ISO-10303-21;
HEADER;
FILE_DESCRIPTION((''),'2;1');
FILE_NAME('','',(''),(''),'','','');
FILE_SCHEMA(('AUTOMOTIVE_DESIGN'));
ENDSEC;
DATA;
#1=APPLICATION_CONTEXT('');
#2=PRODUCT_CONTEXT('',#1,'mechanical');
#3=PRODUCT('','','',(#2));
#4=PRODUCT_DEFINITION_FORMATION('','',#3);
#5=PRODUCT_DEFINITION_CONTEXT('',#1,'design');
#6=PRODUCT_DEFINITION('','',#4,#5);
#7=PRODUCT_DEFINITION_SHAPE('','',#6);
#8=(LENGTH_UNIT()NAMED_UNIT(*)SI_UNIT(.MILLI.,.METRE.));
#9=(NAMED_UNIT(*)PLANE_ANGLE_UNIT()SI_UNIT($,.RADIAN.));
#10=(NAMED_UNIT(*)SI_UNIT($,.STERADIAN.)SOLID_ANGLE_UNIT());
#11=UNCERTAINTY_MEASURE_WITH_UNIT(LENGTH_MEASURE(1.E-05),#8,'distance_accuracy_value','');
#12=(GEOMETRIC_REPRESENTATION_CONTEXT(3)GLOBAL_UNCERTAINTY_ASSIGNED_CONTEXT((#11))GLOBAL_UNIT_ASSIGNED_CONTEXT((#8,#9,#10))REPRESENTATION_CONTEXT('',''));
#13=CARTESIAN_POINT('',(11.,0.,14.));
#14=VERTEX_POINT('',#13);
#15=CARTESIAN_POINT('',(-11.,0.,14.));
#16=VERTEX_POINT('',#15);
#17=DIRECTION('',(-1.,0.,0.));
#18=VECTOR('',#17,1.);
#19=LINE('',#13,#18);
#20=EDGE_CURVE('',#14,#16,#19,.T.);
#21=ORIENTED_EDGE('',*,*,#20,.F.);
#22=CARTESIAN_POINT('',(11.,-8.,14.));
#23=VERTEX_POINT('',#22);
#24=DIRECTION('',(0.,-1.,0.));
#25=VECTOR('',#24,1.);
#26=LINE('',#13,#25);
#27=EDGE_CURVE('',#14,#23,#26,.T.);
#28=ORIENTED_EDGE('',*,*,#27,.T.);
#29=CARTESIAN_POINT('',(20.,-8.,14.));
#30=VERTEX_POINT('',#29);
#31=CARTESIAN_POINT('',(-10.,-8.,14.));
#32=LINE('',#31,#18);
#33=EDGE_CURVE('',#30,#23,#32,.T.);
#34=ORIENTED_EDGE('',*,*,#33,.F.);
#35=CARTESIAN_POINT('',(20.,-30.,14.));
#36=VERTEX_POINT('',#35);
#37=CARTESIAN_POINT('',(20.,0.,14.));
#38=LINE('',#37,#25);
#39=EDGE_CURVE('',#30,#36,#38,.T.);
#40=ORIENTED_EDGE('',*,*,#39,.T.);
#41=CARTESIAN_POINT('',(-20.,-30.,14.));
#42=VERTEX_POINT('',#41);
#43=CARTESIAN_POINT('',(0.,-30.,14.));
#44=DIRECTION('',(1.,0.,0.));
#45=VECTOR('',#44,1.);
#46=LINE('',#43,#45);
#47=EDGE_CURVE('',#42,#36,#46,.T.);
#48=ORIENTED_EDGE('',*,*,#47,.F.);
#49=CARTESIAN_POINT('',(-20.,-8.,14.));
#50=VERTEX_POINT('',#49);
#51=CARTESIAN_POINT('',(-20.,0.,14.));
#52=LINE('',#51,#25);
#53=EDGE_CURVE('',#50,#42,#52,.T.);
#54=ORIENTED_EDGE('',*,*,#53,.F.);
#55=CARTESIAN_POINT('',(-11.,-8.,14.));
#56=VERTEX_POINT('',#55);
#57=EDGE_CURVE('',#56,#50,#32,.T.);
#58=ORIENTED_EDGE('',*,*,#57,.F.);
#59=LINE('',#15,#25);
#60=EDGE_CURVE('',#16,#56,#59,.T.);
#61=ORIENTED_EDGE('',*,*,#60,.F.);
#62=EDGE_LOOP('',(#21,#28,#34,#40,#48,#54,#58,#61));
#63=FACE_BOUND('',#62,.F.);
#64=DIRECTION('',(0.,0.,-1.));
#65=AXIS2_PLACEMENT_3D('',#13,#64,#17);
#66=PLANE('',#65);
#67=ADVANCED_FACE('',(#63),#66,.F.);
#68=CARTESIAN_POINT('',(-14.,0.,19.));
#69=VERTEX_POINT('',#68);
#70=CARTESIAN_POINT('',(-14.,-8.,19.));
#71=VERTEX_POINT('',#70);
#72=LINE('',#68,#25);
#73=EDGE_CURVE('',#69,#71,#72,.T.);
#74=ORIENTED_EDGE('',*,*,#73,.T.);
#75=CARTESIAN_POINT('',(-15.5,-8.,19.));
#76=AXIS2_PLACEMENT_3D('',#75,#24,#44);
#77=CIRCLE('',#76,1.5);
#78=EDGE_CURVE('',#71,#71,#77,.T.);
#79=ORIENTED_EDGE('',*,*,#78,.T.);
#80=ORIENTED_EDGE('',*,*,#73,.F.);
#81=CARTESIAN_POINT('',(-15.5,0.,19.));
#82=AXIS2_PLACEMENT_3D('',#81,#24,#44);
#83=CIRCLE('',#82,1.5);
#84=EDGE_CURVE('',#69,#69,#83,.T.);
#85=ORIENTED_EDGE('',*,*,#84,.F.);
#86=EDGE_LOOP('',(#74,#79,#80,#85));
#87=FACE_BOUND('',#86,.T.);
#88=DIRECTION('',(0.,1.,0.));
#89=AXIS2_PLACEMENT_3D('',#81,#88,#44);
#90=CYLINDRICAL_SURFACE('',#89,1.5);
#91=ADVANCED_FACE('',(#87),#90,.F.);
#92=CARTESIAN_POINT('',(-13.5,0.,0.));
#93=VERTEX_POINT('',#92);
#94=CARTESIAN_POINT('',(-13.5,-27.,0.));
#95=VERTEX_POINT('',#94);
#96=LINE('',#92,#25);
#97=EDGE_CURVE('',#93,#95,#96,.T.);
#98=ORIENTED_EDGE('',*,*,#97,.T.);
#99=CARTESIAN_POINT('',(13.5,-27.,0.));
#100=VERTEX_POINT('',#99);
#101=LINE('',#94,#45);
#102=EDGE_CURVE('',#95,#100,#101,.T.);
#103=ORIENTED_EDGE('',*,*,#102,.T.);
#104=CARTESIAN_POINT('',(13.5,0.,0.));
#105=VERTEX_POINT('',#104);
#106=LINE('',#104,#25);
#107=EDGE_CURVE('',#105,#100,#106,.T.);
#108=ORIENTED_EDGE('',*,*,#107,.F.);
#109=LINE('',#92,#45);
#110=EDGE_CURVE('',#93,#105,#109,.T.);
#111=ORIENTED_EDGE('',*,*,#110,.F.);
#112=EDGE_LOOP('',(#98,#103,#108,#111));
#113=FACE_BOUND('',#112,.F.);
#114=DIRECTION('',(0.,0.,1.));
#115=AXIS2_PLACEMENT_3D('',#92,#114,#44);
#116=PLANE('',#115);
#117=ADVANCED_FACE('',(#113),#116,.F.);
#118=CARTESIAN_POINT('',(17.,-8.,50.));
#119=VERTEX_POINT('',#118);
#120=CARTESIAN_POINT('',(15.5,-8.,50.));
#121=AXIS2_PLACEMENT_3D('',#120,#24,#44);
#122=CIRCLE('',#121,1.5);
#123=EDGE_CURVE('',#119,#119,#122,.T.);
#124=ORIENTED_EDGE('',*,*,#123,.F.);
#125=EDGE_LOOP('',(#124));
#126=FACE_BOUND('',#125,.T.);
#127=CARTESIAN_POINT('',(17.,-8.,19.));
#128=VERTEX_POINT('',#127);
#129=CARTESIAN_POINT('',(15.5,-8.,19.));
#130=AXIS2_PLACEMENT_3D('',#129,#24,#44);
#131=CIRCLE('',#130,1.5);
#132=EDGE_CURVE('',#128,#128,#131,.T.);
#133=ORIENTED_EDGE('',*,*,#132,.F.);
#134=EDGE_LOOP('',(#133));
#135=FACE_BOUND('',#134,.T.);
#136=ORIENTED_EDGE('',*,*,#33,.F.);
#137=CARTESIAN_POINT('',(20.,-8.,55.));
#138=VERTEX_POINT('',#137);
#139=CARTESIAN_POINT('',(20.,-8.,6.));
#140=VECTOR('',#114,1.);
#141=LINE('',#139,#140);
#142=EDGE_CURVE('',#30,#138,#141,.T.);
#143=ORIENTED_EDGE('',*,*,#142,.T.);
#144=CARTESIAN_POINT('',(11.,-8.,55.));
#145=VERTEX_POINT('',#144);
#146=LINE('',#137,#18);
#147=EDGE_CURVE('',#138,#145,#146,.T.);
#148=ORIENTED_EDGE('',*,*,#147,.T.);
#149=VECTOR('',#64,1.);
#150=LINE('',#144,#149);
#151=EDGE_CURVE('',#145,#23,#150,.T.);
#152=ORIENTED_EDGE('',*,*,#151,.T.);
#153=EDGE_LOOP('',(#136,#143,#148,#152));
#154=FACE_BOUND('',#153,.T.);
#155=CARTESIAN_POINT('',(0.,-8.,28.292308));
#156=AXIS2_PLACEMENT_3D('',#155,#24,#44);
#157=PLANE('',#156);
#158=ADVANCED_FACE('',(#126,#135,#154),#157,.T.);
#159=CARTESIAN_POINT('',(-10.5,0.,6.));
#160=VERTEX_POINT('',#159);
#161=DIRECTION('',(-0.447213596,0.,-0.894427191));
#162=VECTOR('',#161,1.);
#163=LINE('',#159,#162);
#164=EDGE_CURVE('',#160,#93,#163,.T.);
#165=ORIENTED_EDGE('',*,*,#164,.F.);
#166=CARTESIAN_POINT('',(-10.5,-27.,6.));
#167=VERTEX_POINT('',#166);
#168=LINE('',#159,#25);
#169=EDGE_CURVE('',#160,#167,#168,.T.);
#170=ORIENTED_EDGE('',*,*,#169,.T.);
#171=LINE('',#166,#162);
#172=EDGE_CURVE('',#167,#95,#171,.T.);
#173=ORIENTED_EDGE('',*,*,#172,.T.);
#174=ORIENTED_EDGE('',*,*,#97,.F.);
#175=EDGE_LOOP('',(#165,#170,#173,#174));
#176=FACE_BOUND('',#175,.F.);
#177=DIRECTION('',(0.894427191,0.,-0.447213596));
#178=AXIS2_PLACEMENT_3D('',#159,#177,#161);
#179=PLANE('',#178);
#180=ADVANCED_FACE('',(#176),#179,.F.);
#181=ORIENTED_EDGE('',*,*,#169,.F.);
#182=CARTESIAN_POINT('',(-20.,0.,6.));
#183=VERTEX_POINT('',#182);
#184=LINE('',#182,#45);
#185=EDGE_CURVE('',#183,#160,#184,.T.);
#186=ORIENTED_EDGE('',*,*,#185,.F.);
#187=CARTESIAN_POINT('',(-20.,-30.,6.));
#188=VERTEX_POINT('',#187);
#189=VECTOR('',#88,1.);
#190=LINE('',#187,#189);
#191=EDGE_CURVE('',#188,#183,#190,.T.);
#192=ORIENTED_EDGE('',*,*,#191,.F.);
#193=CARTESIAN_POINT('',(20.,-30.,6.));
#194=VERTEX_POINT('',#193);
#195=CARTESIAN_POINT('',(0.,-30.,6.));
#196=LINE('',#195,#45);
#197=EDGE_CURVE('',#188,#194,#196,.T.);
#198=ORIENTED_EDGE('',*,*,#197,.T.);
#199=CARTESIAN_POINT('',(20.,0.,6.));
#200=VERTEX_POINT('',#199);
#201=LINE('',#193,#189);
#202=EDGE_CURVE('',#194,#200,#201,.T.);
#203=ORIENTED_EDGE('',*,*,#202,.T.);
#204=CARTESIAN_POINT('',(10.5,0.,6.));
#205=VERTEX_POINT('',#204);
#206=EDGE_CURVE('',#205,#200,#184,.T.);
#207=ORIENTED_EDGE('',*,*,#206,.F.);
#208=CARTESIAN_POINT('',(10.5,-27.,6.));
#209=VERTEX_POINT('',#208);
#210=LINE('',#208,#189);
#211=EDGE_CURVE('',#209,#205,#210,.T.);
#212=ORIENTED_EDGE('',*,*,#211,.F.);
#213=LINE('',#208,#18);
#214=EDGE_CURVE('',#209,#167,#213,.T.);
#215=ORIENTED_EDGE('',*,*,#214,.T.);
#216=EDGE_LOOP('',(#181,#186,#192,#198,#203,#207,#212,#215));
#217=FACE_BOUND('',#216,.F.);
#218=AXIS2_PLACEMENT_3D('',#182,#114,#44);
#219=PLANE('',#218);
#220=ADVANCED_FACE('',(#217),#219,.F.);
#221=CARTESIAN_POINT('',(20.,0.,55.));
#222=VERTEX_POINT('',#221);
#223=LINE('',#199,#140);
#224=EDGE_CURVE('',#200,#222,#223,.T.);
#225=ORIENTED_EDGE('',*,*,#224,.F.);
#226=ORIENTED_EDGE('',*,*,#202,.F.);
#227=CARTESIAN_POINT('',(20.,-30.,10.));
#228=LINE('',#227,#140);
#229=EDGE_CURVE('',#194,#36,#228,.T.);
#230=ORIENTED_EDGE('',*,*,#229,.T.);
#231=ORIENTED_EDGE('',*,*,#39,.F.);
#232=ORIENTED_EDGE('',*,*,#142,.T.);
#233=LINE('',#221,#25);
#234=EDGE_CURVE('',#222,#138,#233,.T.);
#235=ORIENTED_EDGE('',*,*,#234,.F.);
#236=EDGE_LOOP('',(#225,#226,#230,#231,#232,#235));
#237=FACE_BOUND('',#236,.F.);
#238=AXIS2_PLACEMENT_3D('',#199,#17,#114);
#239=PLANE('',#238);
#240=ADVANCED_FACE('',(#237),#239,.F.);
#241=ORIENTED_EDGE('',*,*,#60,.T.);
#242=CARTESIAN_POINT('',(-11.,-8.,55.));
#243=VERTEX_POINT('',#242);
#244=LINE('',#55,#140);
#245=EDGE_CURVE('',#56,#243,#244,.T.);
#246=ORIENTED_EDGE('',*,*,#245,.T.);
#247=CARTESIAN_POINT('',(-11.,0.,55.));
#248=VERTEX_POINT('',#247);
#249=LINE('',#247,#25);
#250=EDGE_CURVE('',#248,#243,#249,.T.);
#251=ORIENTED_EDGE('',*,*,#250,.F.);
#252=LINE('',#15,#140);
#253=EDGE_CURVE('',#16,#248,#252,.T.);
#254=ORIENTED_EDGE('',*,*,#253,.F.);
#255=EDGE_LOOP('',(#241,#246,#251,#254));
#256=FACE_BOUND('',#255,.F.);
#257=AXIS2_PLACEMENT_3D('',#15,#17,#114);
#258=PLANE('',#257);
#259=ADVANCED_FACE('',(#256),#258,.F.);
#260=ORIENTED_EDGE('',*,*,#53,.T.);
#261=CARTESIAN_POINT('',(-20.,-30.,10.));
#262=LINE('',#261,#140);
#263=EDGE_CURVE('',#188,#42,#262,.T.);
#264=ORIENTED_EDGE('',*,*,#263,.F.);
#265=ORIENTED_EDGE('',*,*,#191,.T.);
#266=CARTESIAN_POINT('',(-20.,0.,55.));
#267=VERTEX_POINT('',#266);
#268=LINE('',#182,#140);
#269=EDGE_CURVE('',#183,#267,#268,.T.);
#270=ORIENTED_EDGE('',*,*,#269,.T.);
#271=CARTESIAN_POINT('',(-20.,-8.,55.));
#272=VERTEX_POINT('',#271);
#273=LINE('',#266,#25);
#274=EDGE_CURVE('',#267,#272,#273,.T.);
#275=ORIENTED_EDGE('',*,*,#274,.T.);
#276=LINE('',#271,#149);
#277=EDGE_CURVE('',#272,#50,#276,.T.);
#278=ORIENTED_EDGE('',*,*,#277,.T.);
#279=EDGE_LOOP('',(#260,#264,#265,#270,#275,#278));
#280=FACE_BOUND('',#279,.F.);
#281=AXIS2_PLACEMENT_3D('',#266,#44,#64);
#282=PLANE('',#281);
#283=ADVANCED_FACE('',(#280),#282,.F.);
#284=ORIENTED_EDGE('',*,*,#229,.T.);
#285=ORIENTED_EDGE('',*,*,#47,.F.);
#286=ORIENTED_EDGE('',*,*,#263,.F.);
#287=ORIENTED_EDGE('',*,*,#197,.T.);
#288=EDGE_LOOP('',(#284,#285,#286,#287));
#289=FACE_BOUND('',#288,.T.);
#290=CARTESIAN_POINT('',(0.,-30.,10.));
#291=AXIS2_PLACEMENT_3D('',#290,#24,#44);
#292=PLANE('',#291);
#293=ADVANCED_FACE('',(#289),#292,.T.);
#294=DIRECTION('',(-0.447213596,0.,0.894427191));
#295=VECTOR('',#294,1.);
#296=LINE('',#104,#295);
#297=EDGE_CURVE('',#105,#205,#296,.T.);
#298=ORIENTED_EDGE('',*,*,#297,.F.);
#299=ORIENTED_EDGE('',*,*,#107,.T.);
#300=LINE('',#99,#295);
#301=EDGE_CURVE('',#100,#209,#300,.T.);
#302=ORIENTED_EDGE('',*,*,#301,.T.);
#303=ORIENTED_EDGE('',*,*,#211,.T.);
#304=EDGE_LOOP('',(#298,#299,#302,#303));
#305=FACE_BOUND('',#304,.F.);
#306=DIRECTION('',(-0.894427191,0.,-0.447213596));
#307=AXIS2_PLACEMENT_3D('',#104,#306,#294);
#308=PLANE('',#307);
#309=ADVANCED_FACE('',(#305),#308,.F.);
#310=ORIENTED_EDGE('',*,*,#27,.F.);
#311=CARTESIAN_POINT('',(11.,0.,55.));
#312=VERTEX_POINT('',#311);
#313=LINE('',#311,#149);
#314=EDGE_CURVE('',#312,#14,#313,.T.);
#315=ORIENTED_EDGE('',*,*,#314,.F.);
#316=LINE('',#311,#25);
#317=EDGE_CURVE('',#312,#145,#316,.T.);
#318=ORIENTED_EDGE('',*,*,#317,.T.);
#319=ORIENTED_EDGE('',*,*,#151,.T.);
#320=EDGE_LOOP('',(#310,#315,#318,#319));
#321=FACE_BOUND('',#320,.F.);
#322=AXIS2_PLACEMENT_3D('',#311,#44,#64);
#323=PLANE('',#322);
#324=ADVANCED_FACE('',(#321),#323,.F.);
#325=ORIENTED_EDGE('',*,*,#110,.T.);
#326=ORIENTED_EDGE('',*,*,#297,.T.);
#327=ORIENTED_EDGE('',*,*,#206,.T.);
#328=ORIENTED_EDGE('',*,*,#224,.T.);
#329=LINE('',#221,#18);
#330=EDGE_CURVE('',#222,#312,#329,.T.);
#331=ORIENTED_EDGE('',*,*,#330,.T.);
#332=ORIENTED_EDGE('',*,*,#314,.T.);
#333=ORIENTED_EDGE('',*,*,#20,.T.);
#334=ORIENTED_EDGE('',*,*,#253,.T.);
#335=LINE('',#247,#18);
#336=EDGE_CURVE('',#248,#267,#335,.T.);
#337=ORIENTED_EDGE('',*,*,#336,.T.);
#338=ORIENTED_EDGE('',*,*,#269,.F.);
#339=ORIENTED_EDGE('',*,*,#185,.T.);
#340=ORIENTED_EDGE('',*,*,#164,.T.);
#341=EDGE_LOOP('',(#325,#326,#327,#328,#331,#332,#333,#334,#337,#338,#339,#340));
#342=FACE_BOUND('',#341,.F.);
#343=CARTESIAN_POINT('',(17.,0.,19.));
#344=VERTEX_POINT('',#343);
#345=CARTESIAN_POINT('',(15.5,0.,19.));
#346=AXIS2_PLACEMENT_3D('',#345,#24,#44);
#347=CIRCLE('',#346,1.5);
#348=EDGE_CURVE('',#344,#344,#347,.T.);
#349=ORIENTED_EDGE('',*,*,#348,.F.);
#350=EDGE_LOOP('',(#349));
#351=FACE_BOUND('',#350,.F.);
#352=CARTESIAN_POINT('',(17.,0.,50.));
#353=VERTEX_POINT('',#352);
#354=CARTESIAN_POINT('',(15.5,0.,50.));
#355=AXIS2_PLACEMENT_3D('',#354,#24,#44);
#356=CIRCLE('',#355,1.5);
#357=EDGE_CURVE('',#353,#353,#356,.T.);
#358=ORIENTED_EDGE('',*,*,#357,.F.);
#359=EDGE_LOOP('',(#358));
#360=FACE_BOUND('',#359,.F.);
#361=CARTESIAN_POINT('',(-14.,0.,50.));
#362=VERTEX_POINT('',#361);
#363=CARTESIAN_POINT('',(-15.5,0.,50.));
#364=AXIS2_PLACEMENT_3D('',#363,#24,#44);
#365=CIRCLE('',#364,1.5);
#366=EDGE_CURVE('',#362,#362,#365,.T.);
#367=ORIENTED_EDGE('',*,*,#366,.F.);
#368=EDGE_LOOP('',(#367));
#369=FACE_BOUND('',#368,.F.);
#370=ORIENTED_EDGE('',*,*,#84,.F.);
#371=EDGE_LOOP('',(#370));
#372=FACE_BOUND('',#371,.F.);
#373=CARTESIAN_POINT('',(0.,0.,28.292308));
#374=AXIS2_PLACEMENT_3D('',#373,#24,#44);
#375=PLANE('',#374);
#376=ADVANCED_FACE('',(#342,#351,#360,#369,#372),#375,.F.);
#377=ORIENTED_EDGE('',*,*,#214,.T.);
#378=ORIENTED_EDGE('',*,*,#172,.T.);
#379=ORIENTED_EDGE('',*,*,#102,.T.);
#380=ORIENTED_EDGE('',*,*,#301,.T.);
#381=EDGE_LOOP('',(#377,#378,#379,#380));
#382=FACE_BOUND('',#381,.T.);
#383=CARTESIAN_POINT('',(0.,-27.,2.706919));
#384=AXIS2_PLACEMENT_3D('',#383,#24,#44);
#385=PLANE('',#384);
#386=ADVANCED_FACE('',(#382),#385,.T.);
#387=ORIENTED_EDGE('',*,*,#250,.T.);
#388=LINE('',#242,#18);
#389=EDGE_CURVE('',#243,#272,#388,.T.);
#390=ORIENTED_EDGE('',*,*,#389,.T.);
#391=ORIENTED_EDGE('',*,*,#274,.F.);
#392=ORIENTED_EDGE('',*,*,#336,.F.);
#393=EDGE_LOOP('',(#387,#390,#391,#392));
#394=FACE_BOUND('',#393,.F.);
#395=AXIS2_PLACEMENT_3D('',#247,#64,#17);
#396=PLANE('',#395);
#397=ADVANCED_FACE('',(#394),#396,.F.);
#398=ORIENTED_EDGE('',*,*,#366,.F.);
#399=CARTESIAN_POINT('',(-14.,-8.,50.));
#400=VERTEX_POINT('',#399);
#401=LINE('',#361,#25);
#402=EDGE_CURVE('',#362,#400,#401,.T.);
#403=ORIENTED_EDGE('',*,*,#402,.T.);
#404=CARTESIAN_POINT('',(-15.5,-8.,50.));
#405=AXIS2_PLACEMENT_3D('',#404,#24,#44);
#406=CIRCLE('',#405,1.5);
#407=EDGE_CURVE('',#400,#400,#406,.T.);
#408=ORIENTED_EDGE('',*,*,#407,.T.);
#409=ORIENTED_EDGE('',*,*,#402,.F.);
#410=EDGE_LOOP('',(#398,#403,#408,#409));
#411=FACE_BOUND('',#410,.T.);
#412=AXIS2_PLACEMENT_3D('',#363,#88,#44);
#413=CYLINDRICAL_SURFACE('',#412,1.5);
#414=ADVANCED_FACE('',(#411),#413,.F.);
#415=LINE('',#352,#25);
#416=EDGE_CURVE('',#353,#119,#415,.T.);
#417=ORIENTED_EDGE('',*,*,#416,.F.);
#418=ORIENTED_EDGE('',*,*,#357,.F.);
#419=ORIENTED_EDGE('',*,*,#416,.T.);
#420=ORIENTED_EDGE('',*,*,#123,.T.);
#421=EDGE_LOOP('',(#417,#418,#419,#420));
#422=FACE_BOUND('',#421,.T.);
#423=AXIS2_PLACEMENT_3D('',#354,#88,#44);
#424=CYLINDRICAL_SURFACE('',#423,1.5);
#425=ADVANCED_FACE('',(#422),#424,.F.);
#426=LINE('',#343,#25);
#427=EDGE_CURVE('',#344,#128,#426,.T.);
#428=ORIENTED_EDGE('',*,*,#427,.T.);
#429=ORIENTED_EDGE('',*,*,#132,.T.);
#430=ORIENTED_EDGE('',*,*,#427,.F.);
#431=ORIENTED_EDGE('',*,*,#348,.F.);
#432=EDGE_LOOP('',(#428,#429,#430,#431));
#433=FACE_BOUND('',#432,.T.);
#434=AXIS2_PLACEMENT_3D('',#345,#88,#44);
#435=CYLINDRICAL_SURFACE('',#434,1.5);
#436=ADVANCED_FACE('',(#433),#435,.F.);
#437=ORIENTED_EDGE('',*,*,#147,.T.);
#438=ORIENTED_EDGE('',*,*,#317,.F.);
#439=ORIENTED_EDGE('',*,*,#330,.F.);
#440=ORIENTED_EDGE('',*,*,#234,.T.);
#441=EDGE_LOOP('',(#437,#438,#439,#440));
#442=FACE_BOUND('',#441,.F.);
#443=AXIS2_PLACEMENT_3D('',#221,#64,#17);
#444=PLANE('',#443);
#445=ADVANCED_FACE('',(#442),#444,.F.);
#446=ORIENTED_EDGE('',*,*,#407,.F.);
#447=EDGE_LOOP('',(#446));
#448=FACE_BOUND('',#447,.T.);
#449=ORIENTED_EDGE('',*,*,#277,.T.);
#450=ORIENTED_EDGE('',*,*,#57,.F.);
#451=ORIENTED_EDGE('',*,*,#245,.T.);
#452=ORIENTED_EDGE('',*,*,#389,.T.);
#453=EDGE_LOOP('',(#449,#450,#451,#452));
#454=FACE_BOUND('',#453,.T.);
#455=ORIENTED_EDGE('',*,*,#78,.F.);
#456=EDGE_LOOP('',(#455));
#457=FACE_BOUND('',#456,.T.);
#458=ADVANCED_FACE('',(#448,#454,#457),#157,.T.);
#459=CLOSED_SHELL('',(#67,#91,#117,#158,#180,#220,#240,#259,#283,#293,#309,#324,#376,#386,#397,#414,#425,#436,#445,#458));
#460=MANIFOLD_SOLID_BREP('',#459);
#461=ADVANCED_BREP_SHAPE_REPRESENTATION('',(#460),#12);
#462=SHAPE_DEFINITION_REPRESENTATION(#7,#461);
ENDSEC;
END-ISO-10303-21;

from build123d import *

# Parameters (mm, degrees)
F1_DEPTH = 27
F2_R     = 1.5
F3_DEPTH = 8
F4_W     = 40
F4_H     = 8
F5_DEPTH = 30


with BuildPart() as f1:
    # F0 (on Front) → F1 (new body)
    with BuildSketch(Plane.XZ):
        Polygon((-10.5, 6), (-13.5, 0), (13.5, 0), (10.5, 6), align=None)
    extrude(amount=F1_DEPTH)

    # F2 (on Front) → F3 (join)
    with BuildSketch(Plane.XZ):
        Polygon((-10.5, 6), (10.5, 6), (20, 6), (20, 55), (11, 55), (11, 14), (-11, 14), (-11, 55), (-20, 55), (-20, 6), align=None)
        with Locations((-15.5, 19)):
            Circle(F2_R, mode=Mode.SUBTRACT)
        with Locations((15.5, 19)):
            Circle(F2_R, mode=Mode.SUBTRACT)
        with Locations((-15.5, 50)):
            Circle(F2_R, mode=Mode.SUBTRACT)
        with Locations((15.5, 50)):
            Circle(F2_R, mode=Mode.SUBTRACT)
    extrude(amount=F3_DEPTH)

    # F4 (on Front) → F5 (join)
    with BuildSketch(Plane.XZ):
        with Locations((0, 10)):
            Rectangle(F4_W, F4_H)
    extrude(amount=F5_DEPTH)


solid = f1.part
